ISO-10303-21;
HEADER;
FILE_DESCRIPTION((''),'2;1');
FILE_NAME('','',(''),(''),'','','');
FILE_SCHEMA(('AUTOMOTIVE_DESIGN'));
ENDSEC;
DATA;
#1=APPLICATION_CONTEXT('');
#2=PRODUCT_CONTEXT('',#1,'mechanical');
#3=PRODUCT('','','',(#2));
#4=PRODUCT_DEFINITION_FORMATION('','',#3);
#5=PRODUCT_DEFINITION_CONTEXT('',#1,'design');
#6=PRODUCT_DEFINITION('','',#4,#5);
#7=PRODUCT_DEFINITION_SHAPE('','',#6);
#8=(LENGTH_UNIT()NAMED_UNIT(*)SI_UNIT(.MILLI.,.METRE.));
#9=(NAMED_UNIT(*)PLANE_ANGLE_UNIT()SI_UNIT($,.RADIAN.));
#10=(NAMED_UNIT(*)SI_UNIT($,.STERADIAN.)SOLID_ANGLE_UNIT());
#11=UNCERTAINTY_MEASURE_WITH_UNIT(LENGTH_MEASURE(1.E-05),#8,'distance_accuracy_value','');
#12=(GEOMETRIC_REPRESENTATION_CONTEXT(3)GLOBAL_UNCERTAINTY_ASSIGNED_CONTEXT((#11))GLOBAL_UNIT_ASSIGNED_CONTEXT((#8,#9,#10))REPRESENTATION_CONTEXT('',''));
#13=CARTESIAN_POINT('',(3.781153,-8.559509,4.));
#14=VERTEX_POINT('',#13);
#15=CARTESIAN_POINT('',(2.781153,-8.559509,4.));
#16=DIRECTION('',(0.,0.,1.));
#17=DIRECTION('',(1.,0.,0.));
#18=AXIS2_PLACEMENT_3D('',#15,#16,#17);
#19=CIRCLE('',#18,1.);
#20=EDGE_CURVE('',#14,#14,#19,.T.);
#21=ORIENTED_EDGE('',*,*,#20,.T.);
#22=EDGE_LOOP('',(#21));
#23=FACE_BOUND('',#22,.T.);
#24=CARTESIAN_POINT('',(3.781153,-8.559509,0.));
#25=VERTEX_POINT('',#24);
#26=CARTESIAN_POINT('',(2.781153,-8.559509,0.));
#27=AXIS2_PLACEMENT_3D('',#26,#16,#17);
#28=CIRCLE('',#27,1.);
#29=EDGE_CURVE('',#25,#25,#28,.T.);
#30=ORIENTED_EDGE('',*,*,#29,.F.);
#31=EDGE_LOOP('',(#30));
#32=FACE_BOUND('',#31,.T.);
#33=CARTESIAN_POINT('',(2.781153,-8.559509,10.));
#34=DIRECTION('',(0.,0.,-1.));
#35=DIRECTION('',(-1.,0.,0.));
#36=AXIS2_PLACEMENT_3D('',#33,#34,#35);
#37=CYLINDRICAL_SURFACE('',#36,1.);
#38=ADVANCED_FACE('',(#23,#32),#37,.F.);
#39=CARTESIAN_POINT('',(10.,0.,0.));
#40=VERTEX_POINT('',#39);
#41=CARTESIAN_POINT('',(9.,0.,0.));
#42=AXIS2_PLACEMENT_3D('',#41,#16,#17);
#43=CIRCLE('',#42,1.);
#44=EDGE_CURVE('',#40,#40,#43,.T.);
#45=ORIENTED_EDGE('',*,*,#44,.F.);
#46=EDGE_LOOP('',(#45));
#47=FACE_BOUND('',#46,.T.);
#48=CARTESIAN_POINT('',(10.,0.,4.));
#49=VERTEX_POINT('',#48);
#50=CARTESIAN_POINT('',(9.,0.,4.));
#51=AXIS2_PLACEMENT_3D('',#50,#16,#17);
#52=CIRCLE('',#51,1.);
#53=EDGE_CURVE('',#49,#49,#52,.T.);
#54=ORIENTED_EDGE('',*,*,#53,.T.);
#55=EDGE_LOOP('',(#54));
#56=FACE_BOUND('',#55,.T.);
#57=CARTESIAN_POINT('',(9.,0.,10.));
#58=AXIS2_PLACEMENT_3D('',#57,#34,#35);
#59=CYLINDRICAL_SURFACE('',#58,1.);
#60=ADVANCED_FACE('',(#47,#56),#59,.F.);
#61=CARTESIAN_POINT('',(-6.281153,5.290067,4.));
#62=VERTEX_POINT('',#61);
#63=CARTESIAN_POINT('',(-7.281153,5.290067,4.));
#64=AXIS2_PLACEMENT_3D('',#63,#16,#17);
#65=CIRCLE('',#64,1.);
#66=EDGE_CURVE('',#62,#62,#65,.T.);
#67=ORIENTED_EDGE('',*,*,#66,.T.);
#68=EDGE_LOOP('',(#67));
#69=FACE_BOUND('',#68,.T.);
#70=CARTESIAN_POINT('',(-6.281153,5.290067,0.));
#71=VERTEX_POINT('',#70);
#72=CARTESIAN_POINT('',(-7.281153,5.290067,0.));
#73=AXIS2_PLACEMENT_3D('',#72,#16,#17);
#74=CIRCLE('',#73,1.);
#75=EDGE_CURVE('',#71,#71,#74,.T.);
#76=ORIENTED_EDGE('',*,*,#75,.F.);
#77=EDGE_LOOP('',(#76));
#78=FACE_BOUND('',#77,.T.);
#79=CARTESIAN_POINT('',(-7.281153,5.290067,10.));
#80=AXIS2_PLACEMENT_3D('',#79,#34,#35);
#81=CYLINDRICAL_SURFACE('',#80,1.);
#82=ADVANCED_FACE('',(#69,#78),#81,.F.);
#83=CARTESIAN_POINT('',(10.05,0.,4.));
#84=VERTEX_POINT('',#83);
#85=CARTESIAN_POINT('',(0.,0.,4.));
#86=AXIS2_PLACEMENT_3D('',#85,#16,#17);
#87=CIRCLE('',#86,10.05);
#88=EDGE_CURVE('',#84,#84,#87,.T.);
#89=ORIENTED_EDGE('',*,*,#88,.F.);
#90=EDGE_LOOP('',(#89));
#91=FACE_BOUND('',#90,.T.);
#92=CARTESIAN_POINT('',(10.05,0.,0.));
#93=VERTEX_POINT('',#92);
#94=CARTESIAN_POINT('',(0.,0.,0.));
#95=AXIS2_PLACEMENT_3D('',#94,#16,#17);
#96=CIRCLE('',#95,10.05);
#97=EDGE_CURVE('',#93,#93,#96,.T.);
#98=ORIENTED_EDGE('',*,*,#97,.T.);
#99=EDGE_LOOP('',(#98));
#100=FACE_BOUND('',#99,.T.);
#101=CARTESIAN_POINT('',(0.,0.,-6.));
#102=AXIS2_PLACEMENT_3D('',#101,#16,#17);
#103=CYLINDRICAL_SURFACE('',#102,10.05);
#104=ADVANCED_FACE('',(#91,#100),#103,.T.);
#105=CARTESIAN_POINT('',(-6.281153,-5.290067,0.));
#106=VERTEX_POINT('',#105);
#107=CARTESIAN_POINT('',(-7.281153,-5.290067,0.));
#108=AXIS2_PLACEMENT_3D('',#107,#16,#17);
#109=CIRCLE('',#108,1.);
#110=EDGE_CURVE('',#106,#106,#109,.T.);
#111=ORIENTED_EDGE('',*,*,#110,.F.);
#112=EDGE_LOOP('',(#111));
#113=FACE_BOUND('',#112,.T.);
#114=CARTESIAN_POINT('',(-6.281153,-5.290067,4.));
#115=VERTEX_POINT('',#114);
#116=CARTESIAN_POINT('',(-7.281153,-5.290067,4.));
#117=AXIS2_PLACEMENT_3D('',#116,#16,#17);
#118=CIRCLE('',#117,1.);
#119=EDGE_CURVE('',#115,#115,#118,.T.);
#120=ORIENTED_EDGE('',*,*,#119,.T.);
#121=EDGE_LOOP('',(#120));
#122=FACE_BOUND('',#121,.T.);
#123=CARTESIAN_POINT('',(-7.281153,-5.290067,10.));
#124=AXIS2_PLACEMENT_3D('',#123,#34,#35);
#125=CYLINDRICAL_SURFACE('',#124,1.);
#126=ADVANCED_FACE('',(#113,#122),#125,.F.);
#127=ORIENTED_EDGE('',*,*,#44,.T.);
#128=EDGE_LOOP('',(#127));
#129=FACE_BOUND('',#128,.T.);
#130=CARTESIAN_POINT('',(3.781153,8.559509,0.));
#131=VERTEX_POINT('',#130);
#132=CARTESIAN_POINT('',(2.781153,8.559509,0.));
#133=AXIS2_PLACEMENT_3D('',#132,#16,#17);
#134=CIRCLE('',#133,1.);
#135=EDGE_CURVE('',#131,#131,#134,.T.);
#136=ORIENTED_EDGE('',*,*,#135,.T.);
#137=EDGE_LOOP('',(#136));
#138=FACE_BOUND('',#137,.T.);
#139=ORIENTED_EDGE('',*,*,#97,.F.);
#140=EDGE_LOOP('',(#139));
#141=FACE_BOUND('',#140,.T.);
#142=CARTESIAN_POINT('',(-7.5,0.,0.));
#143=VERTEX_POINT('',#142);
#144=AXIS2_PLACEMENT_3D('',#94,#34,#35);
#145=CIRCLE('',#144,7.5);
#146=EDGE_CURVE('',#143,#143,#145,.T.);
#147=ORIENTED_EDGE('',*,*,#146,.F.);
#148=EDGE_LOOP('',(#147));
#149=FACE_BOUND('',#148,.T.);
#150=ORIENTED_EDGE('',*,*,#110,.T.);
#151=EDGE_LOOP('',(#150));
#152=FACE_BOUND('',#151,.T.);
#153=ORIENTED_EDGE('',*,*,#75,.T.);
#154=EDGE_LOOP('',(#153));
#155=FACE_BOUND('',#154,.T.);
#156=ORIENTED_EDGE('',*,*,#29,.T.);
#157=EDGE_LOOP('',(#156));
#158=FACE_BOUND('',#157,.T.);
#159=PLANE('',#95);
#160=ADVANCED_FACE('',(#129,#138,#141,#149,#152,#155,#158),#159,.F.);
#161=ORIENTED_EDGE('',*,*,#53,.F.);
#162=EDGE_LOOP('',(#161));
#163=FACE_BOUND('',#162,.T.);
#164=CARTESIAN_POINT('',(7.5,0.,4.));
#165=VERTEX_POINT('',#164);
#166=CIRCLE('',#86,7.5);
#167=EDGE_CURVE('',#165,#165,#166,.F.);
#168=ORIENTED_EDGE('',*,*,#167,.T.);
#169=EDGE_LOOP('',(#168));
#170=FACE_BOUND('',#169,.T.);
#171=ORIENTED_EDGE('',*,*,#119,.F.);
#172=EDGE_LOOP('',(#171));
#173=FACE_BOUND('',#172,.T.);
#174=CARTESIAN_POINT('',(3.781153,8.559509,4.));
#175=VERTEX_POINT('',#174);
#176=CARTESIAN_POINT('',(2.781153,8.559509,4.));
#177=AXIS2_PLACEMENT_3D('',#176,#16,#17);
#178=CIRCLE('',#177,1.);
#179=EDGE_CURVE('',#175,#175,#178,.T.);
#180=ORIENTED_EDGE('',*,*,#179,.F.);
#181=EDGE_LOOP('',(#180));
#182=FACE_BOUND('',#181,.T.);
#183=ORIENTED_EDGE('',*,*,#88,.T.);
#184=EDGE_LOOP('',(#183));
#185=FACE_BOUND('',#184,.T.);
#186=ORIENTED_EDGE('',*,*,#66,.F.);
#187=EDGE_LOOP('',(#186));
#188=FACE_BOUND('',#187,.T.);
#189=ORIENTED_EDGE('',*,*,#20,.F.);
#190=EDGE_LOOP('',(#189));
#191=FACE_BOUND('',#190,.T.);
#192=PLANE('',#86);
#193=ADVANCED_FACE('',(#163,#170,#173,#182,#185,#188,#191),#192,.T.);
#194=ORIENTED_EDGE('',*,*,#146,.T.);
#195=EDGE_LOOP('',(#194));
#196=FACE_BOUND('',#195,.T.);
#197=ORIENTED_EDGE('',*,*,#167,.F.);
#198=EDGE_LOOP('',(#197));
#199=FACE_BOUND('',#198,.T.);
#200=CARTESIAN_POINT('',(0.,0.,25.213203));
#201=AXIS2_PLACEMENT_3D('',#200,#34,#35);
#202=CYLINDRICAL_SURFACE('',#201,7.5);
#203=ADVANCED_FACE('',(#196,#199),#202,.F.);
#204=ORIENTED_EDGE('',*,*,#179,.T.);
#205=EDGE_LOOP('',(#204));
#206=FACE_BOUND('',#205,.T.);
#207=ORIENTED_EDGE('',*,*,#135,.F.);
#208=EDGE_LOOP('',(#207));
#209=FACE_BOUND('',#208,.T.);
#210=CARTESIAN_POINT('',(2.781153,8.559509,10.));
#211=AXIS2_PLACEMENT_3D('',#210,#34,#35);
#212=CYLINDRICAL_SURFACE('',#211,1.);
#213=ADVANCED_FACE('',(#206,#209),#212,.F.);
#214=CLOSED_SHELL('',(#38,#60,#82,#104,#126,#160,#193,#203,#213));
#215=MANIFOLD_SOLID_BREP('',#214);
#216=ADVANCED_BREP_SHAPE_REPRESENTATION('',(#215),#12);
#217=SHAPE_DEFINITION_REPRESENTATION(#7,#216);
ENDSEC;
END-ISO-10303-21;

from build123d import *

# Parameters (mm, degrees)
SKETCH_1_R          = 12
SKETCH_1_R_2        = 1
EXTRUDE_1_DEPTH     = 2
SKETCH_3_R          = 1
EXTRUDE_2_DEPTH     = 12
SKETCH_4_R          = 7
CUT_EXTRUDE_1_DEPTH = 12
SKETCH_6_R          = 12
SKETCH_6_R_2        = 11.5
CUT_EXTRUDE_2_DEPTH = 4
SKETCH_8_R          = 11.5
SKETCH_8_R_2        = 7
EXTRUDE_4_DEPTH     = 2
SKETCH_9_R          = 7.5
CUT_EXTRUDE_3_DEPTH = 4
SKETCH_12_R         = 1
CUT_EXTRUDE_4_DEPTH = 20
SKETCH_13_R         = 11.5
SKETCH_13_R_2       = 10.05
CUT_EXTRUDE_5_DEPTH = 10


with BuildPart() as part:
    # 草图1 → 凸台-拉伸1 (new body)
    with BuildSketch(Plane.XY):
        Circle(SKETCH_1_R)
        with Locations((9, 0)):
            Circle(SKETCH_1_R_2, mode=Mode.SUBTRACT)
        with Locations((2.781152949, -8.559508647)):
            Circle(SKETCH_1_R_2, mode=Mode.SUBTRACT)
        with Locations((-7.281152949, -5.290067271)):
            Circle(SKETCH_1_R_2, mode=Mode.SUBTRACT)
        with Locations((-7.281152949, 5.290067271)):
            Circle(SKETCH_1_R_2, mode=Mode.SUBTRACT)
        with Locations((2.781152949, 8.559508647)):
            Circle(SKETCH_1_R_2, mode=Mode.SUBTRACT)
    extrude(amount=EXTRUDE_1_DEPTH)

    # 草图3 → 凸台-拉伸2 (add)
    with BuildSketch(Plane.XY.offset(2)):
        with Locations((9, 0)):
            Circle(SKETCH_3_R)
        with Locations((2.781152949, -8.559508647)):
            Circle(SKETCH_3_R)
        with Locations((-7.281152949, -5.290067271)):
            Circle(SKETCH_3_R)
        with Locations((-7.281152949, 5.290067271)):
            Circle(SKETCH_3_R)
        with Locations((2.781152949, 8.559508647)):
            Circle(SKETCH_3_R)
    extrude(amount=-EXTRUDE_2_DEPTH)

    # 草图4 → 切除-拉伸1 (cut)
    with BuildSketch(Plane(origin=(0, 0, 0), x_dir=(-1, 0, 0), z_dir=(0, 0, -1))):
        Circle(SKETCH_4_R)
    extrude(amount=-CUT_EXTRUDE_1_DEPTH, mode=Mode.SUBTRACT)

    # 草图6 → 切除-拉伸2 (cut)
    with BuildSketch(Plane(origin=(0, 0, 0), x_dir=(-1, 0, 0), z_dir=(0, 0, -1))):
        Circle(SKETCH_6_R)
        Circle(SKETCH_6_R_2, mode=Mode.SUBTRACT)
    extrude(amount=-CUT_EXTRUDE_2_DEPTH, mode=Mode.SUBTRACT)

    # 草图8 → 凸台-拉伸4 (add)
    with BuildSketch(Plane.XY.offset(2)):
        Circle(SKETCH_8_R)
        Circle(SKETCH_8_R_2, mode=Mode.SUBTRACT)
    extrude(amount=EXTRUDE_4_DEPTH)

    # 草图9 → 切除-拉伸3 (cut)
    with BuildSketch(Plane(origin=(0, 0, 0), x_dir=(-1, 0, 0), z_dir=(0, 0, -1))):
        Circle(SKETCH_9_R)
    extrude(amount=-CUT_EXTRUDE_3_DEPTH, mode=Mode.SUBTRACT)

    # 草图12 → 切除-拉伸4 (cut)
    with BuildSketch(Plane(origin=(0, 0, -10), x_dir=(-1, 0, 0), z_dir=(0, 0, -1))):
        with Locations((-2.781152949, -8.559508647)):
            Circle(SKETCH_12_R)
        with Locations((7.281152949, 5.290067271)):
            Circle(SKETCH_12_R)
        with Locations((-2.781152949, 8.559508647)):
            Circle(SKETCH_12_R)
        with Locations((-9, 0)):
            Circle(SKETCH_12_R)
        with Locations((7.281152949, -5.290067271)):
            Circle(SKETCH_12_R)
    extrude(amount=-CUT_EXTRUDE_4_DEPTH, mode=Mode.SUBTRACT)

    # 草图13 → 切除-拉伸5 (cut)
    with BuildSketch(Plane.XY.offset(4)):
        Circle(SKETCH_13_R)
        Circle(SKETCH_13_R_2, mode=Mode.SUBTRACT)
    extrude(amount=-CUT_EXTRUDE_5_DEPTH, mode=Mode.SUBTRACT)


solid = part.part
